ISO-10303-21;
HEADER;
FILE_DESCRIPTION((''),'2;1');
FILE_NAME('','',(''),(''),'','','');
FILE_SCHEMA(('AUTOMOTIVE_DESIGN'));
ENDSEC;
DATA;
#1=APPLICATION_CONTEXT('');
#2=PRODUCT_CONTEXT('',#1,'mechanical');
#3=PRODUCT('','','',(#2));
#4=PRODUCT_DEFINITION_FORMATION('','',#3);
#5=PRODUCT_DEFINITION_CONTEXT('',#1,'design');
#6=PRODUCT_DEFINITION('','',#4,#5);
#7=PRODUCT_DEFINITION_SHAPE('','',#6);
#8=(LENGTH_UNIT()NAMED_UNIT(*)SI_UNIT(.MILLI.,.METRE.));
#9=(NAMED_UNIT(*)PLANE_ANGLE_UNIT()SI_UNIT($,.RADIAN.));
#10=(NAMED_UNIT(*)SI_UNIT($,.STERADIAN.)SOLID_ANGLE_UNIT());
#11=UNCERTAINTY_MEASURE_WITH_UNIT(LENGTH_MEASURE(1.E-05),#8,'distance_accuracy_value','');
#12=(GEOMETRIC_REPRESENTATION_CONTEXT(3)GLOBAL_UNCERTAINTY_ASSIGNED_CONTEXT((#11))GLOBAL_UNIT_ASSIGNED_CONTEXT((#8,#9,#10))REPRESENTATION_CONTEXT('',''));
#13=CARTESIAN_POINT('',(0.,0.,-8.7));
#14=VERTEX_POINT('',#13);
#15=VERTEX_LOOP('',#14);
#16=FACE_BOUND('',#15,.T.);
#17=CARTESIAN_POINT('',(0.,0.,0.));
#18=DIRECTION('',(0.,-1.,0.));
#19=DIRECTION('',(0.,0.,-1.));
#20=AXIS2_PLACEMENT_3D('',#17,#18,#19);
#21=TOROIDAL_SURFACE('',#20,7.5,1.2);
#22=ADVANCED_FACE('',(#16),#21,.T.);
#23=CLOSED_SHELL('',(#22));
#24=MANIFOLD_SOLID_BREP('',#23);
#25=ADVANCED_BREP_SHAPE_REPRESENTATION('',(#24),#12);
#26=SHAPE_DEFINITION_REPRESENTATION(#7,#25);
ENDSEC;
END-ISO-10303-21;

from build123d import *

# Parameters (mm, degrees)
SKETCH2_R = 1.2


with BuildPart() as part:
    # Sweep1: sweep along a path in Sketch1
    with BuildLine(Plane(origin=(0, 0, 0), x_dir=(1, 0, 0), z_dir=(0, 1, 0))) as sweep1_path:
        CenterArc((0, 0), 6.3, 0, 360)
    # Sketch2 → Sweep1 (sweep)
    with BuildSketch(Plane.XY):
        with Locations((-7.5, 0)):
            Circle(SKETCH2_R)
    sweep(path=sweep1_path.line)


solid = part.part
